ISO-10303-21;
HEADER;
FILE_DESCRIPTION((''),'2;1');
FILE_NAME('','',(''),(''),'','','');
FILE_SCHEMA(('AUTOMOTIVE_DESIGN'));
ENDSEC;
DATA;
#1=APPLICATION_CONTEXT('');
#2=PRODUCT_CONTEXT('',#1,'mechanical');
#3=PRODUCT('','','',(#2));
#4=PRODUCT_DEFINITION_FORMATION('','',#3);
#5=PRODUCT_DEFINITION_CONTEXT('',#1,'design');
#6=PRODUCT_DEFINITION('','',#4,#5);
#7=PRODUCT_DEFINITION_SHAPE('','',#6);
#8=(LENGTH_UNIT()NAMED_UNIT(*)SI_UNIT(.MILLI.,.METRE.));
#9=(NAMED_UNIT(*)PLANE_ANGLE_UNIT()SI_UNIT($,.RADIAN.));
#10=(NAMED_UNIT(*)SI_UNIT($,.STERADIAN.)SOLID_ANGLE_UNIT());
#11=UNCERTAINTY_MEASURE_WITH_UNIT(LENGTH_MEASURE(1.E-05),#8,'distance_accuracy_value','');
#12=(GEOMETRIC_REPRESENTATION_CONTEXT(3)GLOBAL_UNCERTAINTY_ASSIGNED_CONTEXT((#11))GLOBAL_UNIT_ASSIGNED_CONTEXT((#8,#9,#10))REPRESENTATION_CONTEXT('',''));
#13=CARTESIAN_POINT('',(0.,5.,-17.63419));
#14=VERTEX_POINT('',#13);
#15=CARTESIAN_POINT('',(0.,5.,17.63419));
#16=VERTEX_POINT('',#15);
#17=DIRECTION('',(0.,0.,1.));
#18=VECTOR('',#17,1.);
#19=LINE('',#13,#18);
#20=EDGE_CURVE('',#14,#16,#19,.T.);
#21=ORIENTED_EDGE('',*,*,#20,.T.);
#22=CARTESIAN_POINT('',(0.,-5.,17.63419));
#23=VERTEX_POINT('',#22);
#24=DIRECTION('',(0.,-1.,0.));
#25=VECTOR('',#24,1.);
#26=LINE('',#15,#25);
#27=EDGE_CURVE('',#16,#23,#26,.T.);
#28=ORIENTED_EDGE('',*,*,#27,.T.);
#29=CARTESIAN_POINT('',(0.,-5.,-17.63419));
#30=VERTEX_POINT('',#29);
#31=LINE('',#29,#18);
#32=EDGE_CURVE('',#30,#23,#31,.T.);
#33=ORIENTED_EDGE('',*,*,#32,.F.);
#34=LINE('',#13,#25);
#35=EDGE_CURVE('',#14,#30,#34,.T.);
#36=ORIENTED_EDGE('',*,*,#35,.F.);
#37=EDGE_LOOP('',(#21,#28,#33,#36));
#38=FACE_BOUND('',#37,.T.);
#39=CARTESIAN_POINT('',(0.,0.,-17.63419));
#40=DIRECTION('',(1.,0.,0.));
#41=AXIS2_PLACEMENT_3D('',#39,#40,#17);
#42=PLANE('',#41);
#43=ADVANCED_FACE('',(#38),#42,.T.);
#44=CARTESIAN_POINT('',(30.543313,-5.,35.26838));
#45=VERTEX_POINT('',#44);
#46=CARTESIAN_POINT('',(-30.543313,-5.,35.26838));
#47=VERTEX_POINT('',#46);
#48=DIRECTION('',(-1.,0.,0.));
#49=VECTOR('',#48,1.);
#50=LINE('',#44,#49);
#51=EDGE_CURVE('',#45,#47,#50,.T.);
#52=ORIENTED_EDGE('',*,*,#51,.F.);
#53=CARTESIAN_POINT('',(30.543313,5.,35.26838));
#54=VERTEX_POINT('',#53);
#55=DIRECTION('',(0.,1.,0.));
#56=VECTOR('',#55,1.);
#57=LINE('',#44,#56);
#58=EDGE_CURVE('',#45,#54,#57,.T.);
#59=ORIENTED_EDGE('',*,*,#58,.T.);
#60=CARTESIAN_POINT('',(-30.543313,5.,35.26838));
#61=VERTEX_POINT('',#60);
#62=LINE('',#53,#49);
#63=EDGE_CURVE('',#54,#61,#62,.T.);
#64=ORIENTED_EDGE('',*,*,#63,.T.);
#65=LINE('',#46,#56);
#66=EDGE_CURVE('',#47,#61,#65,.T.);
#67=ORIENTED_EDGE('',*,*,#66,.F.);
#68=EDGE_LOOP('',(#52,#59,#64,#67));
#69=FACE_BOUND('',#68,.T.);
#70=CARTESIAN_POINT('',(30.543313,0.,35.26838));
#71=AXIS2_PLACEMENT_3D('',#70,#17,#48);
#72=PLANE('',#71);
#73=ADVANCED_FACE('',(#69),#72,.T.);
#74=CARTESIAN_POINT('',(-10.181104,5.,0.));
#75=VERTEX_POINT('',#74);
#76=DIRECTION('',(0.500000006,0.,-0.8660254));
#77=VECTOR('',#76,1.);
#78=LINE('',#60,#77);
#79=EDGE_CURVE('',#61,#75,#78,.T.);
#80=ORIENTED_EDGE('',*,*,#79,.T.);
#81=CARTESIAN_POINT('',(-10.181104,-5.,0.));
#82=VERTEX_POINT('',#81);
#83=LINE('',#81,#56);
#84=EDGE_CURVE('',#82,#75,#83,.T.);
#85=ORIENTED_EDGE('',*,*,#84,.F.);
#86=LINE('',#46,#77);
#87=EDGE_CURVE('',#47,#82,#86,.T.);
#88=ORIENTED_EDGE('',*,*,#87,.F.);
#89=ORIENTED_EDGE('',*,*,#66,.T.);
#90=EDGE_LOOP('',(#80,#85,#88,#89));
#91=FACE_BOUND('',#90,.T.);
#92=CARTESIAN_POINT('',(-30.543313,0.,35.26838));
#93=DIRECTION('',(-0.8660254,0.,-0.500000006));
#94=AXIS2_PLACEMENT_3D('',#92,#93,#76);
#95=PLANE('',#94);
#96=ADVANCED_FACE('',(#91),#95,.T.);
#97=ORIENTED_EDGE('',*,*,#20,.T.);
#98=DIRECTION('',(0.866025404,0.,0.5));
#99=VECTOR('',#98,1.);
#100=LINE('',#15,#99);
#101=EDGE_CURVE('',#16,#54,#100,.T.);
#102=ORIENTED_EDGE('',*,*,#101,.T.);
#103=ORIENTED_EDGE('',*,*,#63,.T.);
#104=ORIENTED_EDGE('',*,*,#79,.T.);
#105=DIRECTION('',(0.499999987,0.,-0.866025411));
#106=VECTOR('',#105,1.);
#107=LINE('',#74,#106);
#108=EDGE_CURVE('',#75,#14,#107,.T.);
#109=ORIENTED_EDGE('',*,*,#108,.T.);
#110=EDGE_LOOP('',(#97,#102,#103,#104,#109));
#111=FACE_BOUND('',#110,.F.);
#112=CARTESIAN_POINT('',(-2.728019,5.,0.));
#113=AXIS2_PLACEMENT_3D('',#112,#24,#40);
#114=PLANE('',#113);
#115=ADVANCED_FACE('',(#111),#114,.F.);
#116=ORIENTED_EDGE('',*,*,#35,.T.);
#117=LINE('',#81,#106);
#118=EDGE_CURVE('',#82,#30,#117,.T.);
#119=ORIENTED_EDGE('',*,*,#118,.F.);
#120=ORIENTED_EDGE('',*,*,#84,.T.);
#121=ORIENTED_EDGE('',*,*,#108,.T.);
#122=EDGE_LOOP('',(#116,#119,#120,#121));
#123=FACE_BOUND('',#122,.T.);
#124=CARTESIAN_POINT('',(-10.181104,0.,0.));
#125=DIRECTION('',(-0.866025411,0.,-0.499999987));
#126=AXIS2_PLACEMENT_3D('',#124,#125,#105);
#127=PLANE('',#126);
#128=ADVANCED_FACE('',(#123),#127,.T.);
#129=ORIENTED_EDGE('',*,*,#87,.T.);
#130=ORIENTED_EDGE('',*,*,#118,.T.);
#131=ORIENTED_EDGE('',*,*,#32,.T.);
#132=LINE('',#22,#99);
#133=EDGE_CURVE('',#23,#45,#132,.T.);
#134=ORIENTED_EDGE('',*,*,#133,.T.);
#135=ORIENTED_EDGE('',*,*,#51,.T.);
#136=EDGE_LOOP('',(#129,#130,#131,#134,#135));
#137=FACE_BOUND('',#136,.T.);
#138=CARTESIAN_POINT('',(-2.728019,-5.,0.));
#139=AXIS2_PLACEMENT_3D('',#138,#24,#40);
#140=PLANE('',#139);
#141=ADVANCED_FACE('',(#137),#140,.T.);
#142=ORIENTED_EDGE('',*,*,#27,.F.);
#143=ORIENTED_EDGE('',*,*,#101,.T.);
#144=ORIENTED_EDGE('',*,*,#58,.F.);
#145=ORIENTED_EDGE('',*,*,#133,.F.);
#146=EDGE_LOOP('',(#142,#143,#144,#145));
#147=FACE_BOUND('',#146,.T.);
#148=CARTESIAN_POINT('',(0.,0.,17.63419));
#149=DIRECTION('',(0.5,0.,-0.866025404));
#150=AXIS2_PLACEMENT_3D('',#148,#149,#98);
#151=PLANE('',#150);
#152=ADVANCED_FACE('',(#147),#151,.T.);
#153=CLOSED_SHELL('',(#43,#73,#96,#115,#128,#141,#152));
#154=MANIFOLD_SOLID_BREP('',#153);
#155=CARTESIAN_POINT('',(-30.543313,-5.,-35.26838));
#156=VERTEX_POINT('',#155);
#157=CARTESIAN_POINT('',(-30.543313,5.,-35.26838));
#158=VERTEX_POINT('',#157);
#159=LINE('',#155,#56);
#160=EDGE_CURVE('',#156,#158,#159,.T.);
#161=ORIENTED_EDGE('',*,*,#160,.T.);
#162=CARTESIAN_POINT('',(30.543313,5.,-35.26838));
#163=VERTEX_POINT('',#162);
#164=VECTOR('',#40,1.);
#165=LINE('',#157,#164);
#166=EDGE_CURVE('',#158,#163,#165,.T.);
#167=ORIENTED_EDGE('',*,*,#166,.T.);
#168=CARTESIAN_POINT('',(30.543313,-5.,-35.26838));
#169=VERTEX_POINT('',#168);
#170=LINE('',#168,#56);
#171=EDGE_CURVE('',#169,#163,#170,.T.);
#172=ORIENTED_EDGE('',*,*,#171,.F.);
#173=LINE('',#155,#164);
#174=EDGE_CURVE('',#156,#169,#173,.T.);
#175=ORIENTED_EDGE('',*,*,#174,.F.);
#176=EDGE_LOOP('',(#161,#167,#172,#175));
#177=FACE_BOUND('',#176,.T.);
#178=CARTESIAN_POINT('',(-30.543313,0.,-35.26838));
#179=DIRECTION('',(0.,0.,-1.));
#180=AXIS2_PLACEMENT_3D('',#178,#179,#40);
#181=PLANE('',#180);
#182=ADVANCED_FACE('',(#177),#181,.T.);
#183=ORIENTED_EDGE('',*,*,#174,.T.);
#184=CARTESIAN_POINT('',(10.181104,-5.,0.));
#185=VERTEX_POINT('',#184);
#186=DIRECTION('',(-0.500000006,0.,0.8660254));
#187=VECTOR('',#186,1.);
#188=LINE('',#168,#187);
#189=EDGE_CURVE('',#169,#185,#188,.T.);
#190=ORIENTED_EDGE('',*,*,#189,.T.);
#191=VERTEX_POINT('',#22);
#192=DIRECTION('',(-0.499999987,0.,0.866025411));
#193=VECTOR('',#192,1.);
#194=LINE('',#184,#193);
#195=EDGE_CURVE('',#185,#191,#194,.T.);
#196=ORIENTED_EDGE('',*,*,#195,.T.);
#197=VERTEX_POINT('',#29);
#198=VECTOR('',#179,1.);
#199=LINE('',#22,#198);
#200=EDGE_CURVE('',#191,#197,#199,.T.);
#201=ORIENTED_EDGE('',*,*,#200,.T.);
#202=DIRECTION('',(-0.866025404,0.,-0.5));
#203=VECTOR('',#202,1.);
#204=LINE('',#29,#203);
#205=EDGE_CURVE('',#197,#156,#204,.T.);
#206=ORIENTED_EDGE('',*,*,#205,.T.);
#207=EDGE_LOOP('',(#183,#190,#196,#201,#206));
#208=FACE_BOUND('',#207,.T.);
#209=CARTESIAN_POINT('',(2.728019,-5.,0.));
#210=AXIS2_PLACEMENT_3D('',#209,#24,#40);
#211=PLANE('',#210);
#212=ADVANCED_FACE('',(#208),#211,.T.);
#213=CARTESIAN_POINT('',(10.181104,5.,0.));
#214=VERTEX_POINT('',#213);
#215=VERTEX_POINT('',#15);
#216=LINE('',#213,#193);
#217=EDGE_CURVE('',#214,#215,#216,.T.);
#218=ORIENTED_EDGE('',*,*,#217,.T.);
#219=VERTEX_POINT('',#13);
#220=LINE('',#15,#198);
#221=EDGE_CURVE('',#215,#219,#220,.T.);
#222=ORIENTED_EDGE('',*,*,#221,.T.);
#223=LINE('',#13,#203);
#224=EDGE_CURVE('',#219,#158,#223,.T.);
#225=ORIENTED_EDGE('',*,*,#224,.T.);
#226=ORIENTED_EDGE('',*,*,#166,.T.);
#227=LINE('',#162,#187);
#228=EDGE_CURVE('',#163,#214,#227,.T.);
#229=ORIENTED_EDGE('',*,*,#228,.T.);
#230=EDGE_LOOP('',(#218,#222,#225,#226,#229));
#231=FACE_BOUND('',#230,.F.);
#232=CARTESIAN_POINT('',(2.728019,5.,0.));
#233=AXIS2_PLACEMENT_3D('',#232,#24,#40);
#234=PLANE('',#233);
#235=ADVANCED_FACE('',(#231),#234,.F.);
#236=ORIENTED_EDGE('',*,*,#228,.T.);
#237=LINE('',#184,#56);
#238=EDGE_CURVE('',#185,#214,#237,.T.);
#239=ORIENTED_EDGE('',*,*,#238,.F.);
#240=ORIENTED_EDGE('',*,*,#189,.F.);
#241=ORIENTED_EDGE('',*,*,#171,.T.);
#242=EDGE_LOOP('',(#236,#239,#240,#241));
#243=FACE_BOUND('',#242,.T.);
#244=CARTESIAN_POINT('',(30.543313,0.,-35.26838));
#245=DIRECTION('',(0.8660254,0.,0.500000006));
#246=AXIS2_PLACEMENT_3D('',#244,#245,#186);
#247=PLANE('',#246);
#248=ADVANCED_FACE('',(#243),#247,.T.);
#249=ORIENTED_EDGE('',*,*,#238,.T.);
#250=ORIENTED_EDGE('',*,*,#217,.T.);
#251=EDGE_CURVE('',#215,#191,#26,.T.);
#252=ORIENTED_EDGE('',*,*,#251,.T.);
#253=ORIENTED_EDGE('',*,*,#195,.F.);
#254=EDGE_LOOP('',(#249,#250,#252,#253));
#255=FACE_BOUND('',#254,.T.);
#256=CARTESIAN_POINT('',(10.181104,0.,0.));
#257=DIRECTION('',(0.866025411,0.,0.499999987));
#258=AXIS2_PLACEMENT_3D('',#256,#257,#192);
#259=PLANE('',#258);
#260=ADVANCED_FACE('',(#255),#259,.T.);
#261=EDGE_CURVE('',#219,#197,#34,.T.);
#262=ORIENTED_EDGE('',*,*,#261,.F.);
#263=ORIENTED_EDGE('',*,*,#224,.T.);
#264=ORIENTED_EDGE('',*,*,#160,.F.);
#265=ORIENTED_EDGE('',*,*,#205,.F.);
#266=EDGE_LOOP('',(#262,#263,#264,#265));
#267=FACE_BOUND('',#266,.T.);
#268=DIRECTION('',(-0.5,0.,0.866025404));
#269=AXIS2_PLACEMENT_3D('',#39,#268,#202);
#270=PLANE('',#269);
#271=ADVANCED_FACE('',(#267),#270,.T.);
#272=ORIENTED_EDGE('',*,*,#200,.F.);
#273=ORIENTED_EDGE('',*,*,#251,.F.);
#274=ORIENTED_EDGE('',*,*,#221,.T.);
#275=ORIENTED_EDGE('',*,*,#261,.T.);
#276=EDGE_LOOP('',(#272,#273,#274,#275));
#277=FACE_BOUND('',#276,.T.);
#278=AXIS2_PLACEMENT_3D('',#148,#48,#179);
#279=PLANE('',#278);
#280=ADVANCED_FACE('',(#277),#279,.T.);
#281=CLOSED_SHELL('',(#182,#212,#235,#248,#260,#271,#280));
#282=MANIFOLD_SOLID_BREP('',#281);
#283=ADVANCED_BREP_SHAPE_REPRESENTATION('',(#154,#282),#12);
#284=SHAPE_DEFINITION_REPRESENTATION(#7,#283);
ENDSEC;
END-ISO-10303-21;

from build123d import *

# Parameters (mm, degrees)
F1_DEPTH = 5
F2_DEPTH = 5


with BuildPart() as f1:
    # F0 (on Front) → F1 (new body, symmetric)
    with BuildSketch(Plane.XZ):
        Polygon((0, 17.63419), (-10.181104, 0), (0, -17.63419), align=None)
        Polygon((30.543313, 35.26838), (-30.543313, 35.26838), (-10.181104, 0), (0, 17.63419), align=None)
    extrude(amount=F1_DEPTH, both=True)


with BuildPart() as f2:
    # F0 (on Front) → F2 (new body, symmetric)
    with BuildSketch(Plane.XZ):
        Polygon((0, -17.63419), (10.181104, 0), (0, 17.63419), align=None)
        Polygon((30.543313, -35.26838), (10.181104, 0), (0, -17.63419), (-30.543313, -35.26838), align=None)
    extrude(amount=F2_DEPTH, both=True)


solid = Compound([f1.part, f2.part])
